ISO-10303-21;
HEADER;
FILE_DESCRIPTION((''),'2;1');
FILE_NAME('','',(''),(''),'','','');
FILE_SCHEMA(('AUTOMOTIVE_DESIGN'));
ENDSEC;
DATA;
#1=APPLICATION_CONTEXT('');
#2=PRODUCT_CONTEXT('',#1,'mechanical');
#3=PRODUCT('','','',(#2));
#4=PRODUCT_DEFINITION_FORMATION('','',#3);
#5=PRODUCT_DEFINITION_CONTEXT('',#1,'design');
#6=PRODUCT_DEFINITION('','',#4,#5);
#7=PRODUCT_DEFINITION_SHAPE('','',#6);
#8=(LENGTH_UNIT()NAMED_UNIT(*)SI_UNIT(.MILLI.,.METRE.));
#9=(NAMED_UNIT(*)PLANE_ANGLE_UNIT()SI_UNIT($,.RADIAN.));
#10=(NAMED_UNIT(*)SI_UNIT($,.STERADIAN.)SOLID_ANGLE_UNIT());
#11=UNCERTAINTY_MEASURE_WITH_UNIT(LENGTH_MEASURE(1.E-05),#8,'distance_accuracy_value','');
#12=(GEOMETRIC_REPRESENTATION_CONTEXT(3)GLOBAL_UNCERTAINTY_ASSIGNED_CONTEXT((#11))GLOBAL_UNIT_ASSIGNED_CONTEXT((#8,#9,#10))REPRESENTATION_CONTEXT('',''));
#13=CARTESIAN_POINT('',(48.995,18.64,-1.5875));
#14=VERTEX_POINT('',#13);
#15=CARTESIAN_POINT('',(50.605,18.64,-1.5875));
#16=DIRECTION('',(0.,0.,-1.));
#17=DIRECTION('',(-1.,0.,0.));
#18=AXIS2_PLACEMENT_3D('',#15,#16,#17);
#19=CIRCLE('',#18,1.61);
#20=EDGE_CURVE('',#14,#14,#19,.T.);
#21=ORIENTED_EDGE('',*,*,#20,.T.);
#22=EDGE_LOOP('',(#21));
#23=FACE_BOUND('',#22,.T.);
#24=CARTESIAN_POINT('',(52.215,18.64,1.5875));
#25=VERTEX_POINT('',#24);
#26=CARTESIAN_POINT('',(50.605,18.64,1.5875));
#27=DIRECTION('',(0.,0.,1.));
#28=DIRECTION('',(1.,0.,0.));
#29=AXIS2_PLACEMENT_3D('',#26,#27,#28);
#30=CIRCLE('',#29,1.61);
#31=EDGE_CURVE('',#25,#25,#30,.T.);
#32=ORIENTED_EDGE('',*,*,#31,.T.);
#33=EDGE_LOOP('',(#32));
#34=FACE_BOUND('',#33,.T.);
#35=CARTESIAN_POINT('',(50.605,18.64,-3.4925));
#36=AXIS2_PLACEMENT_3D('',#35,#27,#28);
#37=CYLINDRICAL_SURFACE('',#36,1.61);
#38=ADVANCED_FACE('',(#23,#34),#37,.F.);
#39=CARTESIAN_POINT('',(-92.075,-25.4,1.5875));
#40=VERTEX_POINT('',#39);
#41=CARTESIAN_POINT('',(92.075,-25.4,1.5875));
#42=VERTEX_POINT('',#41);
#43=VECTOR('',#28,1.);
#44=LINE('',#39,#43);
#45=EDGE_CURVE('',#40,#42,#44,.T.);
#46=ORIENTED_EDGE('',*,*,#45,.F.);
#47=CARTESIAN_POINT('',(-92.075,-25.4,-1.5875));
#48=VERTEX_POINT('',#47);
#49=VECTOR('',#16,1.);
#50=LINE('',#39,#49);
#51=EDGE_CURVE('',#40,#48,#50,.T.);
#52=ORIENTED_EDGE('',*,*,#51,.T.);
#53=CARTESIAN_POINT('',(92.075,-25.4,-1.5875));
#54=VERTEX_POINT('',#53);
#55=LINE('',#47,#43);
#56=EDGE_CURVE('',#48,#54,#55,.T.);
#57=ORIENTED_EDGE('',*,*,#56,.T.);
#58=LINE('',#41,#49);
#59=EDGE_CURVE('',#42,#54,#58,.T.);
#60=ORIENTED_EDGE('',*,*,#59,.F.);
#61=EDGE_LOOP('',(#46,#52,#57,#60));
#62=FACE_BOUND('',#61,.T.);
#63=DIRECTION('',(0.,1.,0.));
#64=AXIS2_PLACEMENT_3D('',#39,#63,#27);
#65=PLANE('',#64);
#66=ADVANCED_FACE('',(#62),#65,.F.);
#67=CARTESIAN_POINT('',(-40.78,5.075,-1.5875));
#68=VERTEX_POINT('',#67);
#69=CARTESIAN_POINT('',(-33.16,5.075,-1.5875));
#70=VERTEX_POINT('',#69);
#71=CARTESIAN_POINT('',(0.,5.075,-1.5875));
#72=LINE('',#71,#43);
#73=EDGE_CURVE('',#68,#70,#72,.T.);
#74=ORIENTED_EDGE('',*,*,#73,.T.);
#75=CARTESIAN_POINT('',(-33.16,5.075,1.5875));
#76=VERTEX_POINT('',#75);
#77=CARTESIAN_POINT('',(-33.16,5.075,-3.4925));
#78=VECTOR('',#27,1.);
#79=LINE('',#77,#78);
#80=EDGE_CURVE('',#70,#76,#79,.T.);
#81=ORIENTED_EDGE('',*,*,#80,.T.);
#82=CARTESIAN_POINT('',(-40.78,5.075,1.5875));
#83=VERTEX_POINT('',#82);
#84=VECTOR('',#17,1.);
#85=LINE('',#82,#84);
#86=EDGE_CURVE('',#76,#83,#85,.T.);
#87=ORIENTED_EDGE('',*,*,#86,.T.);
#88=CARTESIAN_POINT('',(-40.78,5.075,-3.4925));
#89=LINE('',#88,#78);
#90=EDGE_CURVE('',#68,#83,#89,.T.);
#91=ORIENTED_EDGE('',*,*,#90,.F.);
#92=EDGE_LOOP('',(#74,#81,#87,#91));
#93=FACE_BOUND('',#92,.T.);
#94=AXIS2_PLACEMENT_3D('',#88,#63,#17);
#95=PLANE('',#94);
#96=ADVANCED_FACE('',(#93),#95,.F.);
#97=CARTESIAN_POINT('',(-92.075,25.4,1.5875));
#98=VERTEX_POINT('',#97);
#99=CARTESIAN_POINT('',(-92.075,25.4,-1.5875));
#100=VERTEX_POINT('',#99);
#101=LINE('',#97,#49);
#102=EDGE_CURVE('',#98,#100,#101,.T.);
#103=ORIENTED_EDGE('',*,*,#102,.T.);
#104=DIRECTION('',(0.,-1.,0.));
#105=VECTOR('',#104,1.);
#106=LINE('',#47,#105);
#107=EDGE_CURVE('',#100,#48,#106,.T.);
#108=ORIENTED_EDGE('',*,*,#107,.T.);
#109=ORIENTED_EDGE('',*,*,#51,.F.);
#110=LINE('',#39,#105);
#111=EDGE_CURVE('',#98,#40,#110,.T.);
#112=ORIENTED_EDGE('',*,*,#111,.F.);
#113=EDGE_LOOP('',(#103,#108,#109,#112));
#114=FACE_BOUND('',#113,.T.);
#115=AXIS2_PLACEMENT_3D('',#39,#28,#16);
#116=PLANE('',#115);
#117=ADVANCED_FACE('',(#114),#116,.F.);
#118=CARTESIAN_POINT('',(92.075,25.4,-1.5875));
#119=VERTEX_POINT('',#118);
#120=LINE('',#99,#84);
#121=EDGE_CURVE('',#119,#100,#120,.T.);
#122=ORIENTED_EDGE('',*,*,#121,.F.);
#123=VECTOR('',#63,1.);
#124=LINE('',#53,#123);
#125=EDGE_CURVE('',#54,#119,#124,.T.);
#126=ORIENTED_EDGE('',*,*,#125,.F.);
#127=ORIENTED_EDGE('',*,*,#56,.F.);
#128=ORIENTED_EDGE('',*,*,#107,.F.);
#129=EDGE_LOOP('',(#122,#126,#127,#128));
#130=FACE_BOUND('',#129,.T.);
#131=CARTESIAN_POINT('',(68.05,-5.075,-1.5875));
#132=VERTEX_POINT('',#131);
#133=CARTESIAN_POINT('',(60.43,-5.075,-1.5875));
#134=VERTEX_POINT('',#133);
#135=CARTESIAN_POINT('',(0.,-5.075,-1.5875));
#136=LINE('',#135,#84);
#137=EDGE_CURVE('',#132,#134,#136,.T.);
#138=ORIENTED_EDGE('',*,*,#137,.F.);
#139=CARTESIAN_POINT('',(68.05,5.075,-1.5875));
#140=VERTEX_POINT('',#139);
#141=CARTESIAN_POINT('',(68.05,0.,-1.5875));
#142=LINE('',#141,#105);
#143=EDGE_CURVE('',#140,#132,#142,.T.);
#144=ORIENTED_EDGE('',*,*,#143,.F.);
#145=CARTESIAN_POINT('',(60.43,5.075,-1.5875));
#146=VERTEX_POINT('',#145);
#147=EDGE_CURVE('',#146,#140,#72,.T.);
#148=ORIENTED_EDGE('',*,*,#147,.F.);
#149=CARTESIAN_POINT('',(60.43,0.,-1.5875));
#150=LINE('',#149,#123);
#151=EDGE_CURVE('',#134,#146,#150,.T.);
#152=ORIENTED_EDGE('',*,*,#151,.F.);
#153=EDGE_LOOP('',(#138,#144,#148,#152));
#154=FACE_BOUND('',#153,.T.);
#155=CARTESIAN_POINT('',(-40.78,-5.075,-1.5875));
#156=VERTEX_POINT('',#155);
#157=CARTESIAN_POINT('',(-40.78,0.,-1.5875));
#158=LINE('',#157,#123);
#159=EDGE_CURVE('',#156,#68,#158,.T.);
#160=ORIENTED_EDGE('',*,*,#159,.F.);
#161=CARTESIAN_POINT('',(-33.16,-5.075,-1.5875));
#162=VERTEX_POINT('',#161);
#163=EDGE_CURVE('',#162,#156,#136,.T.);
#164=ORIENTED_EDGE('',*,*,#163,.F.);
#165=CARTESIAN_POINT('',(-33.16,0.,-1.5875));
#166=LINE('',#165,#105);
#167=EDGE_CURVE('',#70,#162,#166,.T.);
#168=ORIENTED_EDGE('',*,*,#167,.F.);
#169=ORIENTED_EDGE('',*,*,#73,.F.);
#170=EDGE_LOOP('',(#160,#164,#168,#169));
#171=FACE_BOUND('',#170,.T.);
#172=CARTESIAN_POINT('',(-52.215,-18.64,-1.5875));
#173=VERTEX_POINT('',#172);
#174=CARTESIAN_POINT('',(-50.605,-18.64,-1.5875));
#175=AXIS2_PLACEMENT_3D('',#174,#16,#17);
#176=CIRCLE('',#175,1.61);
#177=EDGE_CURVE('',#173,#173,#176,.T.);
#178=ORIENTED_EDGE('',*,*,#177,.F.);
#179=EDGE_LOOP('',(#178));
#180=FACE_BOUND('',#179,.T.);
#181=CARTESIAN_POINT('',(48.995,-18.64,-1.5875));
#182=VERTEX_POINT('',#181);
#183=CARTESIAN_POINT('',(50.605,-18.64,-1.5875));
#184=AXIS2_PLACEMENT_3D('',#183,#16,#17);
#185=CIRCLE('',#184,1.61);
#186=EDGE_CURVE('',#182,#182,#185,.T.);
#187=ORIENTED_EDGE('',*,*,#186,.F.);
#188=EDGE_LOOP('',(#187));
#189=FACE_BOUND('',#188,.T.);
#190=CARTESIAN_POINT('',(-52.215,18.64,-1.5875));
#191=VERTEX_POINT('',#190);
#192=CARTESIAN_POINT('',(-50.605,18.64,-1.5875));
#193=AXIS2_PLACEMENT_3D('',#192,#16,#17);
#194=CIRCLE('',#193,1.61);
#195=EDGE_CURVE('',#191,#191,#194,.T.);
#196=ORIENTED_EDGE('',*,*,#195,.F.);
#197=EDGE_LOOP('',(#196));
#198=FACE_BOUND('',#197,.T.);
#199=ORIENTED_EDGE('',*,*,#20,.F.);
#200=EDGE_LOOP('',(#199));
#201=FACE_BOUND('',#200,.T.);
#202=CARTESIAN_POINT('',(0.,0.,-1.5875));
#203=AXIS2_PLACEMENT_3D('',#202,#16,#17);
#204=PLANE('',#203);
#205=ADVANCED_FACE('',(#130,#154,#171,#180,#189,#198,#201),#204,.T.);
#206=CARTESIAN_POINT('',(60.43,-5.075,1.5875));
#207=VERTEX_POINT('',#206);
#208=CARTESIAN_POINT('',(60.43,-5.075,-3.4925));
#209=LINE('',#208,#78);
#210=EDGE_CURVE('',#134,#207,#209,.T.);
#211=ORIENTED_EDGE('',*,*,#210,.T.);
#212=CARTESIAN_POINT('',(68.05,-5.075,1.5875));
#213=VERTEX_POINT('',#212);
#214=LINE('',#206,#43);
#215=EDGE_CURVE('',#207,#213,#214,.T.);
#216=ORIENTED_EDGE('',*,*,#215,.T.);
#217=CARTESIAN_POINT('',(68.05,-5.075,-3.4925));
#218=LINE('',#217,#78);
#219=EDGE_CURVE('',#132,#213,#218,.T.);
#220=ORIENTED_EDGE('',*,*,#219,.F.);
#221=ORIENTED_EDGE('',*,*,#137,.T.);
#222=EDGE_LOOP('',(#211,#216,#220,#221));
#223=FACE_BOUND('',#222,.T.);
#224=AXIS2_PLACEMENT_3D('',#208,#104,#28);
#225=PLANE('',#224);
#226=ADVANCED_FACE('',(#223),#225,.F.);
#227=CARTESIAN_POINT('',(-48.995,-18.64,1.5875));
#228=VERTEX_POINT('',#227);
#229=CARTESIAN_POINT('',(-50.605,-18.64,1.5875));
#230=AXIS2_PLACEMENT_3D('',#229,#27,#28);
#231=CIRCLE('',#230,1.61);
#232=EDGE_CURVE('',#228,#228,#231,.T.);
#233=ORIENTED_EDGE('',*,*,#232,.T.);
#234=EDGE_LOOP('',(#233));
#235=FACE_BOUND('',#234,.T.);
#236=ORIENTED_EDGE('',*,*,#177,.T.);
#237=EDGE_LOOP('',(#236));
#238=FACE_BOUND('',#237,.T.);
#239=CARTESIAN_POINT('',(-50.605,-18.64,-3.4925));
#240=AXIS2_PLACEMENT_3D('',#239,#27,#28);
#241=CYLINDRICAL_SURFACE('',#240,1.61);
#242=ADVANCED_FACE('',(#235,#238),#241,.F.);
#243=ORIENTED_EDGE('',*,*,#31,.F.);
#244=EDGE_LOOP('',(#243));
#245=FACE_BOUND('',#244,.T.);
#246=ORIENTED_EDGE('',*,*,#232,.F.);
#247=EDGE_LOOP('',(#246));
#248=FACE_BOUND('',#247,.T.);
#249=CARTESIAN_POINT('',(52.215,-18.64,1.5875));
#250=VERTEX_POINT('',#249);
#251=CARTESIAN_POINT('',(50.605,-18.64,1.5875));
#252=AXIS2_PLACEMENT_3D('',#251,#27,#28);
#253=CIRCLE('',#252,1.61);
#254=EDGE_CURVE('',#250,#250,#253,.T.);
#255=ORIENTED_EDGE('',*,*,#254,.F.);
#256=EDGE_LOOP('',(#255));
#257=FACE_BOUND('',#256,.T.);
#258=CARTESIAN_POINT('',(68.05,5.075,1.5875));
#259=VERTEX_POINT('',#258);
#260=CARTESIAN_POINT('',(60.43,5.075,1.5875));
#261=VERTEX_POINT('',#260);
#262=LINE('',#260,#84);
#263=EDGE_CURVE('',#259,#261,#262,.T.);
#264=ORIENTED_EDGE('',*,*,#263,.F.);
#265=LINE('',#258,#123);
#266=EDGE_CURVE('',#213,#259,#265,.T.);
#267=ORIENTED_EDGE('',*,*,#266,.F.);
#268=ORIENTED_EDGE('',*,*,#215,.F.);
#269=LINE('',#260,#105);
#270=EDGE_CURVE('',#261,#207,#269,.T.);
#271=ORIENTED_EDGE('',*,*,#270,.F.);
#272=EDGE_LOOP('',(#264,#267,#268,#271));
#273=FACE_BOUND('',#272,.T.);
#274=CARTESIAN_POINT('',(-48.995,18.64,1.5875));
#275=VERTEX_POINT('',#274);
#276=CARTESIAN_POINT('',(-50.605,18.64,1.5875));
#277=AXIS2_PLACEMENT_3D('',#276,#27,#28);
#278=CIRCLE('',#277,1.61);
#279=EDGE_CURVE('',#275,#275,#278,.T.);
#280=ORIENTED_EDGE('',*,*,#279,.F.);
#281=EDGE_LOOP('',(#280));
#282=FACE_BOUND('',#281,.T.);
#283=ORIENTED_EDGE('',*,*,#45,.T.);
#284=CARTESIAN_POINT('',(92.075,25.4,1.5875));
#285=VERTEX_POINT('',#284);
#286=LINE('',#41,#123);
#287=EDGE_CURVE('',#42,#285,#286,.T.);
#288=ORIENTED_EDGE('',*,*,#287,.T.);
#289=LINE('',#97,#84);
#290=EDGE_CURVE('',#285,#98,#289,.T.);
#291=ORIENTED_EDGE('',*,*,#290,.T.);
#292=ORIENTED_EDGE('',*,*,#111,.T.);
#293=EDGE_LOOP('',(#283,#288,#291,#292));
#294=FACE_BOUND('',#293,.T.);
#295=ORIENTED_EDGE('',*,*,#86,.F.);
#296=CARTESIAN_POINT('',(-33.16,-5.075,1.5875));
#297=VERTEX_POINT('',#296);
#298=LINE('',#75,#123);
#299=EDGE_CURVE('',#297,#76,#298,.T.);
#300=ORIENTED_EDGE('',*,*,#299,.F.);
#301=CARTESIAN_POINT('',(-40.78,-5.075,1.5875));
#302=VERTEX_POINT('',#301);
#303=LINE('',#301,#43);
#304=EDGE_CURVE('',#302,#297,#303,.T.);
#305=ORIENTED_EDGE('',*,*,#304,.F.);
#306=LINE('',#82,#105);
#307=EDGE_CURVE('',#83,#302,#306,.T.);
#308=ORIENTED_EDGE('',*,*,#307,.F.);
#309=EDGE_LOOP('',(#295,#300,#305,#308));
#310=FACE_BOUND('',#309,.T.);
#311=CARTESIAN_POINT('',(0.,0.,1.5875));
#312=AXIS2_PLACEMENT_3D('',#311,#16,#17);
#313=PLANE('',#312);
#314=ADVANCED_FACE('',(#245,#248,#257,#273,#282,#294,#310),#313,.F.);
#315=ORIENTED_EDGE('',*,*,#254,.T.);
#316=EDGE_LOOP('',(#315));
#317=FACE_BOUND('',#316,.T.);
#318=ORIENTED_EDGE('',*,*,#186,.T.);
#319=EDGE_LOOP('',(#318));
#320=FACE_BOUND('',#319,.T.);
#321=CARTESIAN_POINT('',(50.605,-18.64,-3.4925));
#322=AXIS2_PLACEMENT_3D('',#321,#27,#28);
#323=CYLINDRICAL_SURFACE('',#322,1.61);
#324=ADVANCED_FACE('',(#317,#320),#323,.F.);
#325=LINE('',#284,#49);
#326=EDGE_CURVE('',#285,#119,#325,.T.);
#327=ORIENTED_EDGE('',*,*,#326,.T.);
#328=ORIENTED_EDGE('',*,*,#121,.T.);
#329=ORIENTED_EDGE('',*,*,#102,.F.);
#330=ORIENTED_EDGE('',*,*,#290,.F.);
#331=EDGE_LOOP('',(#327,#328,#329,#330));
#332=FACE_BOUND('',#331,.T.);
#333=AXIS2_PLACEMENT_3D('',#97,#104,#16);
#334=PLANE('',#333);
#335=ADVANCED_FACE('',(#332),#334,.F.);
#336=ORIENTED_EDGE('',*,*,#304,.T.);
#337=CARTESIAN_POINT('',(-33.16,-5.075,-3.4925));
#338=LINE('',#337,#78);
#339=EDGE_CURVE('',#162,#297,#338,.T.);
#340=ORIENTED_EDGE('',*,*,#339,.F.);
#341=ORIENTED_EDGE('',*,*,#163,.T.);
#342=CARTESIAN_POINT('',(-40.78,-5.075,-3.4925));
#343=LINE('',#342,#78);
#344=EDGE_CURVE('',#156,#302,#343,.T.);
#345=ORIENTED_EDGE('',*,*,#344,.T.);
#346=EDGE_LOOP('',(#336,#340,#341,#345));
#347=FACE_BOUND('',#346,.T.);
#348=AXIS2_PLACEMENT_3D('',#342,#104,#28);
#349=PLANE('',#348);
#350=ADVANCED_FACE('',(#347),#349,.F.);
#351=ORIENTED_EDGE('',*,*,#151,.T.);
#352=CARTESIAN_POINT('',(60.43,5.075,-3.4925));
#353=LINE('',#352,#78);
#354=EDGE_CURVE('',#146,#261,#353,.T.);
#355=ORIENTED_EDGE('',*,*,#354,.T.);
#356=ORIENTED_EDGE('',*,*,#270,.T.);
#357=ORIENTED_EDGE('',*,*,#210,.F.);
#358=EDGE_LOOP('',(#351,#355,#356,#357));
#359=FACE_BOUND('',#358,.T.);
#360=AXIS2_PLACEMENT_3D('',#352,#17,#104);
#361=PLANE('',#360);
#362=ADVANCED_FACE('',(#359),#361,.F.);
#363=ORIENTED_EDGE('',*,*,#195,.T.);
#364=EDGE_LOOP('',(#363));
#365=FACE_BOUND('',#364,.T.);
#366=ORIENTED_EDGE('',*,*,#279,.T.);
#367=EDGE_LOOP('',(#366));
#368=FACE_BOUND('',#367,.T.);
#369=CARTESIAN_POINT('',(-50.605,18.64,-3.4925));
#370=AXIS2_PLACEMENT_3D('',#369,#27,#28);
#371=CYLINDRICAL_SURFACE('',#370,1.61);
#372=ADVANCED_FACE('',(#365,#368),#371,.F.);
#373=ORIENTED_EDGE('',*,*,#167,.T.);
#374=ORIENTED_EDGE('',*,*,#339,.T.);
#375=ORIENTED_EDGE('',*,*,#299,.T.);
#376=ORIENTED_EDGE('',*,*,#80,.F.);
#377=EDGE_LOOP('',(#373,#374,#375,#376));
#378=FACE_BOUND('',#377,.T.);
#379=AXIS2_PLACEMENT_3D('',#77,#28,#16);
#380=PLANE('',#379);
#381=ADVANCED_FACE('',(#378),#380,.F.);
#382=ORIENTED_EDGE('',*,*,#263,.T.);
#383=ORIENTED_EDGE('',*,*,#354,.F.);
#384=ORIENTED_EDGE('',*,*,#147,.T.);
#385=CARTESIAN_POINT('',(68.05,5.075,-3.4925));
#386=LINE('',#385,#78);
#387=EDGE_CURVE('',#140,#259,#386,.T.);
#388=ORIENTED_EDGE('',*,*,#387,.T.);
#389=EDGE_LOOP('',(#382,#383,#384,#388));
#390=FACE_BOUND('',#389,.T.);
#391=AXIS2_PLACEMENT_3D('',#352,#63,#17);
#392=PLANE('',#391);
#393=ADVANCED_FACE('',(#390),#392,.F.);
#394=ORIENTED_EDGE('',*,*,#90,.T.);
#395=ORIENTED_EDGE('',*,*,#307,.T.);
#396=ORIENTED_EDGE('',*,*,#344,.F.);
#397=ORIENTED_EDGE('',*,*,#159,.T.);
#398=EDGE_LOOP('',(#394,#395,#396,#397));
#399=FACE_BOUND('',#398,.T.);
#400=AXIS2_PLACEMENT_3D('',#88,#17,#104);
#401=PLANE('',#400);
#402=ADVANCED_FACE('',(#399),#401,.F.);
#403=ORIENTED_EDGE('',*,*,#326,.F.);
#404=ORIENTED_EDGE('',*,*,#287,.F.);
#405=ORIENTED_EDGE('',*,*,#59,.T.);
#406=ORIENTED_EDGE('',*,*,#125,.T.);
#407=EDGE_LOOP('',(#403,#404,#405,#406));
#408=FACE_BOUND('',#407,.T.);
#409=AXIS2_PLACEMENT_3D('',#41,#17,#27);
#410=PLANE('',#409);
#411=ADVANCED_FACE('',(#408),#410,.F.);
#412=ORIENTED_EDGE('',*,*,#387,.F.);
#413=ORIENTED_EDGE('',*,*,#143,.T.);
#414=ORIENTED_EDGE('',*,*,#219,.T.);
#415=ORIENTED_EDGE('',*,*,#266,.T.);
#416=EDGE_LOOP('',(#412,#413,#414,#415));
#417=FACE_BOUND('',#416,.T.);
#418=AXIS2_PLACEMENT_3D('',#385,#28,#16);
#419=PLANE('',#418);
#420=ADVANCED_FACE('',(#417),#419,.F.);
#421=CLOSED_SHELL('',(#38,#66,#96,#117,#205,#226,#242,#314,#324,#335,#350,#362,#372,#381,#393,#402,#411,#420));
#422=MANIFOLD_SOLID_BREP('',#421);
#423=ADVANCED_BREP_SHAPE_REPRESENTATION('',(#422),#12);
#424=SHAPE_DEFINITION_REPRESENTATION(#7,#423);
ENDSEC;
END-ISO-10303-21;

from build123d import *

# Parameters (mm, degrees)
SKETCH2_W           = 184.15
SKETCH2_H           = 50.8
BOSS_EXTRUDE1_DEPTH = 1.5875
SKETCH3_R           = 1.61
SKETCH3_W           = 7.62
SKETCH3_H           = 10.15
CUT_EXTRUDE1_DEPTH  = 5.08


with BuildPart() as part:
    # Sketch2 → Boss-Extrude1 (new body, symmetric)
    with BuildSketch(Plane.XY):
        Rectangle(SKETCH2_W, SKETCH2_H)
    extrude(amount=BOSS_EXTRUDE1_DEPTH, both=True)

    # Sketch3 → Cut-Extrude1 (cut)
    with BuildSketch(Plane.XY.offset(1.5875)):
        with Locations((-50.605000009, 18.64)):
            Circle(SKETCH3_R)
        with Locations((-50.605000009, -18.64)):
            Circle(SKETCH3_R)
        with Locations((50.605000009, 18.64)):
            Circle(SKETCH3_R)
        with Locations((50.605000009, -18.64)):
            Circle(SKETCH3_R)
        with Locations((-36.970000018, 0)):
            Rectangle(SKETCH3_W, SKETCH3_H)
        with Locations((64.24, 0)):
            Rectangle(SKETCH3_W, SKETCH3_H)
    extrude(amount=-CUT_EXTRUDE1_DEPTH, mode=Mode.SUBTRACT)


solid = part.part
